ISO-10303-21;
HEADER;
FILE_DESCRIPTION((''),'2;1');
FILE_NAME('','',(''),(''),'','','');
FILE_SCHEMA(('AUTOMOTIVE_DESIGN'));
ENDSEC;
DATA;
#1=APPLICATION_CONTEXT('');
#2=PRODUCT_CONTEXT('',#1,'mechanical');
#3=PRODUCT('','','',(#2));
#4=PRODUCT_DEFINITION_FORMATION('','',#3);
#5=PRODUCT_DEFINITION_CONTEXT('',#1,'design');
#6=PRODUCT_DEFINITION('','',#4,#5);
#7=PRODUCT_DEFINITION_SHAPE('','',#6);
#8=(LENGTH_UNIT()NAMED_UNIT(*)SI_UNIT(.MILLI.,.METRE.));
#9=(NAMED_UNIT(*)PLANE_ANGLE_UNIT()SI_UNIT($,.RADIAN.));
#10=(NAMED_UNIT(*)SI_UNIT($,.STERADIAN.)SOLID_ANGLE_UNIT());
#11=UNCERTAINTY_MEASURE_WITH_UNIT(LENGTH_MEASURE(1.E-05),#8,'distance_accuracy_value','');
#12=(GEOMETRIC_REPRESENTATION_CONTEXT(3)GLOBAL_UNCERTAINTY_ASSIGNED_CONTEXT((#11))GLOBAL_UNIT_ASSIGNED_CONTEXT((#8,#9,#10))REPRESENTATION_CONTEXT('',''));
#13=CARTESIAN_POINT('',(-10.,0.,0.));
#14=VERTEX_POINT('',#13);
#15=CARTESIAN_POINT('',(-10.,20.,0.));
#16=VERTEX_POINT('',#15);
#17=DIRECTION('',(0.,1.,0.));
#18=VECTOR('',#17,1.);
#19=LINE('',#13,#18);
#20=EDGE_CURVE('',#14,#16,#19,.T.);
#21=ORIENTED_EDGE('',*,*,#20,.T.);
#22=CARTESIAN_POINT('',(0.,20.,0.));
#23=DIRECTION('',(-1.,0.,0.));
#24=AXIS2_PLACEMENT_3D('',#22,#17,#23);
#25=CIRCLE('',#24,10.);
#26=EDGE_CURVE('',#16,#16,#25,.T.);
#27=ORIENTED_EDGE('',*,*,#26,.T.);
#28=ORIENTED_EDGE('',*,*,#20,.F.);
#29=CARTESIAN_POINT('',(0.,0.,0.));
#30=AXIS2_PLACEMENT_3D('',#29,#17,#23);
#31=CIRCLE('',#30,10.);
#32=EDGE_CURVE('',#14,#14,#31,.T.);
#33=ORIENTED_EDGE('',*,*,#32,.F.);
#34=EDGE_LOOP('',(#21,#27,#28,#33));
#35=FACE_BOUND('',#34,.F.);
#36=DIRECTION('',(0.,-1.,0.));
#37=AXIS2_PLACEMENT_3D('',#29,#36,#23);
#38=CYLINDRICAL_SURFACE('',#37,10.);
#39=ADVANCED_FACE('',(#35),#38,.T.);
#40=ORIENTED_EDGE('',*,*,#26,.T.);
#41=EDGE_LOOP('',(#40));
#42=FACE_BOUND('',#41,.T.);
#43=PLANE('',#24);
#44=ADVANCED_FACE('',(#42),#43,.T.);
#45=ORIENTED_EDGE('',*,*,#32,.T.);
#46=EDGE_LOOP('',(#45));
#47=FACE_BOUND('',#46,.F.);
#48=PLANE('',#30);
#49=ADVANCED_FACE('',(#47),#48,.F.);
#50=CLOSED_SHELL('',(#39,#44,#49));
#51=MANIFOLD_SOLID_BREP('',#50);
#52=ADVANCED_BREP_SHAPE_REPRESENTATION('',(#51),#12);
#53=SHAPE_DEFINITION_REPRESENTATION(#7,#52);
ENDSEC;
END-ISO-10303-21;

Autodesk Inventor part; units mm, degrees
ref_plane "YZ Plane" through (0, 0, 0) normal (1, 0, 0) x (0, 1, 0)
ref_plane "XZ Plane" through (0, 0, 0) normal (0, 1, 0) x (-1, 0, 0)
ref_plane "XY Plane" through (0, 0, 0) normal (0, 0, 1) x (1, 0, 0)
sketch "Sketch1" plane through (0, 0, 0) normal (0, 1, 0) x (-1, 0, 0)
  circle A0 centre (0, 0) radius 10
  dimension "d0" = 20
extrude "Extrusion1" add sketch "Sketch1" along normal blind 20
properties part number "REMEDIO4"
